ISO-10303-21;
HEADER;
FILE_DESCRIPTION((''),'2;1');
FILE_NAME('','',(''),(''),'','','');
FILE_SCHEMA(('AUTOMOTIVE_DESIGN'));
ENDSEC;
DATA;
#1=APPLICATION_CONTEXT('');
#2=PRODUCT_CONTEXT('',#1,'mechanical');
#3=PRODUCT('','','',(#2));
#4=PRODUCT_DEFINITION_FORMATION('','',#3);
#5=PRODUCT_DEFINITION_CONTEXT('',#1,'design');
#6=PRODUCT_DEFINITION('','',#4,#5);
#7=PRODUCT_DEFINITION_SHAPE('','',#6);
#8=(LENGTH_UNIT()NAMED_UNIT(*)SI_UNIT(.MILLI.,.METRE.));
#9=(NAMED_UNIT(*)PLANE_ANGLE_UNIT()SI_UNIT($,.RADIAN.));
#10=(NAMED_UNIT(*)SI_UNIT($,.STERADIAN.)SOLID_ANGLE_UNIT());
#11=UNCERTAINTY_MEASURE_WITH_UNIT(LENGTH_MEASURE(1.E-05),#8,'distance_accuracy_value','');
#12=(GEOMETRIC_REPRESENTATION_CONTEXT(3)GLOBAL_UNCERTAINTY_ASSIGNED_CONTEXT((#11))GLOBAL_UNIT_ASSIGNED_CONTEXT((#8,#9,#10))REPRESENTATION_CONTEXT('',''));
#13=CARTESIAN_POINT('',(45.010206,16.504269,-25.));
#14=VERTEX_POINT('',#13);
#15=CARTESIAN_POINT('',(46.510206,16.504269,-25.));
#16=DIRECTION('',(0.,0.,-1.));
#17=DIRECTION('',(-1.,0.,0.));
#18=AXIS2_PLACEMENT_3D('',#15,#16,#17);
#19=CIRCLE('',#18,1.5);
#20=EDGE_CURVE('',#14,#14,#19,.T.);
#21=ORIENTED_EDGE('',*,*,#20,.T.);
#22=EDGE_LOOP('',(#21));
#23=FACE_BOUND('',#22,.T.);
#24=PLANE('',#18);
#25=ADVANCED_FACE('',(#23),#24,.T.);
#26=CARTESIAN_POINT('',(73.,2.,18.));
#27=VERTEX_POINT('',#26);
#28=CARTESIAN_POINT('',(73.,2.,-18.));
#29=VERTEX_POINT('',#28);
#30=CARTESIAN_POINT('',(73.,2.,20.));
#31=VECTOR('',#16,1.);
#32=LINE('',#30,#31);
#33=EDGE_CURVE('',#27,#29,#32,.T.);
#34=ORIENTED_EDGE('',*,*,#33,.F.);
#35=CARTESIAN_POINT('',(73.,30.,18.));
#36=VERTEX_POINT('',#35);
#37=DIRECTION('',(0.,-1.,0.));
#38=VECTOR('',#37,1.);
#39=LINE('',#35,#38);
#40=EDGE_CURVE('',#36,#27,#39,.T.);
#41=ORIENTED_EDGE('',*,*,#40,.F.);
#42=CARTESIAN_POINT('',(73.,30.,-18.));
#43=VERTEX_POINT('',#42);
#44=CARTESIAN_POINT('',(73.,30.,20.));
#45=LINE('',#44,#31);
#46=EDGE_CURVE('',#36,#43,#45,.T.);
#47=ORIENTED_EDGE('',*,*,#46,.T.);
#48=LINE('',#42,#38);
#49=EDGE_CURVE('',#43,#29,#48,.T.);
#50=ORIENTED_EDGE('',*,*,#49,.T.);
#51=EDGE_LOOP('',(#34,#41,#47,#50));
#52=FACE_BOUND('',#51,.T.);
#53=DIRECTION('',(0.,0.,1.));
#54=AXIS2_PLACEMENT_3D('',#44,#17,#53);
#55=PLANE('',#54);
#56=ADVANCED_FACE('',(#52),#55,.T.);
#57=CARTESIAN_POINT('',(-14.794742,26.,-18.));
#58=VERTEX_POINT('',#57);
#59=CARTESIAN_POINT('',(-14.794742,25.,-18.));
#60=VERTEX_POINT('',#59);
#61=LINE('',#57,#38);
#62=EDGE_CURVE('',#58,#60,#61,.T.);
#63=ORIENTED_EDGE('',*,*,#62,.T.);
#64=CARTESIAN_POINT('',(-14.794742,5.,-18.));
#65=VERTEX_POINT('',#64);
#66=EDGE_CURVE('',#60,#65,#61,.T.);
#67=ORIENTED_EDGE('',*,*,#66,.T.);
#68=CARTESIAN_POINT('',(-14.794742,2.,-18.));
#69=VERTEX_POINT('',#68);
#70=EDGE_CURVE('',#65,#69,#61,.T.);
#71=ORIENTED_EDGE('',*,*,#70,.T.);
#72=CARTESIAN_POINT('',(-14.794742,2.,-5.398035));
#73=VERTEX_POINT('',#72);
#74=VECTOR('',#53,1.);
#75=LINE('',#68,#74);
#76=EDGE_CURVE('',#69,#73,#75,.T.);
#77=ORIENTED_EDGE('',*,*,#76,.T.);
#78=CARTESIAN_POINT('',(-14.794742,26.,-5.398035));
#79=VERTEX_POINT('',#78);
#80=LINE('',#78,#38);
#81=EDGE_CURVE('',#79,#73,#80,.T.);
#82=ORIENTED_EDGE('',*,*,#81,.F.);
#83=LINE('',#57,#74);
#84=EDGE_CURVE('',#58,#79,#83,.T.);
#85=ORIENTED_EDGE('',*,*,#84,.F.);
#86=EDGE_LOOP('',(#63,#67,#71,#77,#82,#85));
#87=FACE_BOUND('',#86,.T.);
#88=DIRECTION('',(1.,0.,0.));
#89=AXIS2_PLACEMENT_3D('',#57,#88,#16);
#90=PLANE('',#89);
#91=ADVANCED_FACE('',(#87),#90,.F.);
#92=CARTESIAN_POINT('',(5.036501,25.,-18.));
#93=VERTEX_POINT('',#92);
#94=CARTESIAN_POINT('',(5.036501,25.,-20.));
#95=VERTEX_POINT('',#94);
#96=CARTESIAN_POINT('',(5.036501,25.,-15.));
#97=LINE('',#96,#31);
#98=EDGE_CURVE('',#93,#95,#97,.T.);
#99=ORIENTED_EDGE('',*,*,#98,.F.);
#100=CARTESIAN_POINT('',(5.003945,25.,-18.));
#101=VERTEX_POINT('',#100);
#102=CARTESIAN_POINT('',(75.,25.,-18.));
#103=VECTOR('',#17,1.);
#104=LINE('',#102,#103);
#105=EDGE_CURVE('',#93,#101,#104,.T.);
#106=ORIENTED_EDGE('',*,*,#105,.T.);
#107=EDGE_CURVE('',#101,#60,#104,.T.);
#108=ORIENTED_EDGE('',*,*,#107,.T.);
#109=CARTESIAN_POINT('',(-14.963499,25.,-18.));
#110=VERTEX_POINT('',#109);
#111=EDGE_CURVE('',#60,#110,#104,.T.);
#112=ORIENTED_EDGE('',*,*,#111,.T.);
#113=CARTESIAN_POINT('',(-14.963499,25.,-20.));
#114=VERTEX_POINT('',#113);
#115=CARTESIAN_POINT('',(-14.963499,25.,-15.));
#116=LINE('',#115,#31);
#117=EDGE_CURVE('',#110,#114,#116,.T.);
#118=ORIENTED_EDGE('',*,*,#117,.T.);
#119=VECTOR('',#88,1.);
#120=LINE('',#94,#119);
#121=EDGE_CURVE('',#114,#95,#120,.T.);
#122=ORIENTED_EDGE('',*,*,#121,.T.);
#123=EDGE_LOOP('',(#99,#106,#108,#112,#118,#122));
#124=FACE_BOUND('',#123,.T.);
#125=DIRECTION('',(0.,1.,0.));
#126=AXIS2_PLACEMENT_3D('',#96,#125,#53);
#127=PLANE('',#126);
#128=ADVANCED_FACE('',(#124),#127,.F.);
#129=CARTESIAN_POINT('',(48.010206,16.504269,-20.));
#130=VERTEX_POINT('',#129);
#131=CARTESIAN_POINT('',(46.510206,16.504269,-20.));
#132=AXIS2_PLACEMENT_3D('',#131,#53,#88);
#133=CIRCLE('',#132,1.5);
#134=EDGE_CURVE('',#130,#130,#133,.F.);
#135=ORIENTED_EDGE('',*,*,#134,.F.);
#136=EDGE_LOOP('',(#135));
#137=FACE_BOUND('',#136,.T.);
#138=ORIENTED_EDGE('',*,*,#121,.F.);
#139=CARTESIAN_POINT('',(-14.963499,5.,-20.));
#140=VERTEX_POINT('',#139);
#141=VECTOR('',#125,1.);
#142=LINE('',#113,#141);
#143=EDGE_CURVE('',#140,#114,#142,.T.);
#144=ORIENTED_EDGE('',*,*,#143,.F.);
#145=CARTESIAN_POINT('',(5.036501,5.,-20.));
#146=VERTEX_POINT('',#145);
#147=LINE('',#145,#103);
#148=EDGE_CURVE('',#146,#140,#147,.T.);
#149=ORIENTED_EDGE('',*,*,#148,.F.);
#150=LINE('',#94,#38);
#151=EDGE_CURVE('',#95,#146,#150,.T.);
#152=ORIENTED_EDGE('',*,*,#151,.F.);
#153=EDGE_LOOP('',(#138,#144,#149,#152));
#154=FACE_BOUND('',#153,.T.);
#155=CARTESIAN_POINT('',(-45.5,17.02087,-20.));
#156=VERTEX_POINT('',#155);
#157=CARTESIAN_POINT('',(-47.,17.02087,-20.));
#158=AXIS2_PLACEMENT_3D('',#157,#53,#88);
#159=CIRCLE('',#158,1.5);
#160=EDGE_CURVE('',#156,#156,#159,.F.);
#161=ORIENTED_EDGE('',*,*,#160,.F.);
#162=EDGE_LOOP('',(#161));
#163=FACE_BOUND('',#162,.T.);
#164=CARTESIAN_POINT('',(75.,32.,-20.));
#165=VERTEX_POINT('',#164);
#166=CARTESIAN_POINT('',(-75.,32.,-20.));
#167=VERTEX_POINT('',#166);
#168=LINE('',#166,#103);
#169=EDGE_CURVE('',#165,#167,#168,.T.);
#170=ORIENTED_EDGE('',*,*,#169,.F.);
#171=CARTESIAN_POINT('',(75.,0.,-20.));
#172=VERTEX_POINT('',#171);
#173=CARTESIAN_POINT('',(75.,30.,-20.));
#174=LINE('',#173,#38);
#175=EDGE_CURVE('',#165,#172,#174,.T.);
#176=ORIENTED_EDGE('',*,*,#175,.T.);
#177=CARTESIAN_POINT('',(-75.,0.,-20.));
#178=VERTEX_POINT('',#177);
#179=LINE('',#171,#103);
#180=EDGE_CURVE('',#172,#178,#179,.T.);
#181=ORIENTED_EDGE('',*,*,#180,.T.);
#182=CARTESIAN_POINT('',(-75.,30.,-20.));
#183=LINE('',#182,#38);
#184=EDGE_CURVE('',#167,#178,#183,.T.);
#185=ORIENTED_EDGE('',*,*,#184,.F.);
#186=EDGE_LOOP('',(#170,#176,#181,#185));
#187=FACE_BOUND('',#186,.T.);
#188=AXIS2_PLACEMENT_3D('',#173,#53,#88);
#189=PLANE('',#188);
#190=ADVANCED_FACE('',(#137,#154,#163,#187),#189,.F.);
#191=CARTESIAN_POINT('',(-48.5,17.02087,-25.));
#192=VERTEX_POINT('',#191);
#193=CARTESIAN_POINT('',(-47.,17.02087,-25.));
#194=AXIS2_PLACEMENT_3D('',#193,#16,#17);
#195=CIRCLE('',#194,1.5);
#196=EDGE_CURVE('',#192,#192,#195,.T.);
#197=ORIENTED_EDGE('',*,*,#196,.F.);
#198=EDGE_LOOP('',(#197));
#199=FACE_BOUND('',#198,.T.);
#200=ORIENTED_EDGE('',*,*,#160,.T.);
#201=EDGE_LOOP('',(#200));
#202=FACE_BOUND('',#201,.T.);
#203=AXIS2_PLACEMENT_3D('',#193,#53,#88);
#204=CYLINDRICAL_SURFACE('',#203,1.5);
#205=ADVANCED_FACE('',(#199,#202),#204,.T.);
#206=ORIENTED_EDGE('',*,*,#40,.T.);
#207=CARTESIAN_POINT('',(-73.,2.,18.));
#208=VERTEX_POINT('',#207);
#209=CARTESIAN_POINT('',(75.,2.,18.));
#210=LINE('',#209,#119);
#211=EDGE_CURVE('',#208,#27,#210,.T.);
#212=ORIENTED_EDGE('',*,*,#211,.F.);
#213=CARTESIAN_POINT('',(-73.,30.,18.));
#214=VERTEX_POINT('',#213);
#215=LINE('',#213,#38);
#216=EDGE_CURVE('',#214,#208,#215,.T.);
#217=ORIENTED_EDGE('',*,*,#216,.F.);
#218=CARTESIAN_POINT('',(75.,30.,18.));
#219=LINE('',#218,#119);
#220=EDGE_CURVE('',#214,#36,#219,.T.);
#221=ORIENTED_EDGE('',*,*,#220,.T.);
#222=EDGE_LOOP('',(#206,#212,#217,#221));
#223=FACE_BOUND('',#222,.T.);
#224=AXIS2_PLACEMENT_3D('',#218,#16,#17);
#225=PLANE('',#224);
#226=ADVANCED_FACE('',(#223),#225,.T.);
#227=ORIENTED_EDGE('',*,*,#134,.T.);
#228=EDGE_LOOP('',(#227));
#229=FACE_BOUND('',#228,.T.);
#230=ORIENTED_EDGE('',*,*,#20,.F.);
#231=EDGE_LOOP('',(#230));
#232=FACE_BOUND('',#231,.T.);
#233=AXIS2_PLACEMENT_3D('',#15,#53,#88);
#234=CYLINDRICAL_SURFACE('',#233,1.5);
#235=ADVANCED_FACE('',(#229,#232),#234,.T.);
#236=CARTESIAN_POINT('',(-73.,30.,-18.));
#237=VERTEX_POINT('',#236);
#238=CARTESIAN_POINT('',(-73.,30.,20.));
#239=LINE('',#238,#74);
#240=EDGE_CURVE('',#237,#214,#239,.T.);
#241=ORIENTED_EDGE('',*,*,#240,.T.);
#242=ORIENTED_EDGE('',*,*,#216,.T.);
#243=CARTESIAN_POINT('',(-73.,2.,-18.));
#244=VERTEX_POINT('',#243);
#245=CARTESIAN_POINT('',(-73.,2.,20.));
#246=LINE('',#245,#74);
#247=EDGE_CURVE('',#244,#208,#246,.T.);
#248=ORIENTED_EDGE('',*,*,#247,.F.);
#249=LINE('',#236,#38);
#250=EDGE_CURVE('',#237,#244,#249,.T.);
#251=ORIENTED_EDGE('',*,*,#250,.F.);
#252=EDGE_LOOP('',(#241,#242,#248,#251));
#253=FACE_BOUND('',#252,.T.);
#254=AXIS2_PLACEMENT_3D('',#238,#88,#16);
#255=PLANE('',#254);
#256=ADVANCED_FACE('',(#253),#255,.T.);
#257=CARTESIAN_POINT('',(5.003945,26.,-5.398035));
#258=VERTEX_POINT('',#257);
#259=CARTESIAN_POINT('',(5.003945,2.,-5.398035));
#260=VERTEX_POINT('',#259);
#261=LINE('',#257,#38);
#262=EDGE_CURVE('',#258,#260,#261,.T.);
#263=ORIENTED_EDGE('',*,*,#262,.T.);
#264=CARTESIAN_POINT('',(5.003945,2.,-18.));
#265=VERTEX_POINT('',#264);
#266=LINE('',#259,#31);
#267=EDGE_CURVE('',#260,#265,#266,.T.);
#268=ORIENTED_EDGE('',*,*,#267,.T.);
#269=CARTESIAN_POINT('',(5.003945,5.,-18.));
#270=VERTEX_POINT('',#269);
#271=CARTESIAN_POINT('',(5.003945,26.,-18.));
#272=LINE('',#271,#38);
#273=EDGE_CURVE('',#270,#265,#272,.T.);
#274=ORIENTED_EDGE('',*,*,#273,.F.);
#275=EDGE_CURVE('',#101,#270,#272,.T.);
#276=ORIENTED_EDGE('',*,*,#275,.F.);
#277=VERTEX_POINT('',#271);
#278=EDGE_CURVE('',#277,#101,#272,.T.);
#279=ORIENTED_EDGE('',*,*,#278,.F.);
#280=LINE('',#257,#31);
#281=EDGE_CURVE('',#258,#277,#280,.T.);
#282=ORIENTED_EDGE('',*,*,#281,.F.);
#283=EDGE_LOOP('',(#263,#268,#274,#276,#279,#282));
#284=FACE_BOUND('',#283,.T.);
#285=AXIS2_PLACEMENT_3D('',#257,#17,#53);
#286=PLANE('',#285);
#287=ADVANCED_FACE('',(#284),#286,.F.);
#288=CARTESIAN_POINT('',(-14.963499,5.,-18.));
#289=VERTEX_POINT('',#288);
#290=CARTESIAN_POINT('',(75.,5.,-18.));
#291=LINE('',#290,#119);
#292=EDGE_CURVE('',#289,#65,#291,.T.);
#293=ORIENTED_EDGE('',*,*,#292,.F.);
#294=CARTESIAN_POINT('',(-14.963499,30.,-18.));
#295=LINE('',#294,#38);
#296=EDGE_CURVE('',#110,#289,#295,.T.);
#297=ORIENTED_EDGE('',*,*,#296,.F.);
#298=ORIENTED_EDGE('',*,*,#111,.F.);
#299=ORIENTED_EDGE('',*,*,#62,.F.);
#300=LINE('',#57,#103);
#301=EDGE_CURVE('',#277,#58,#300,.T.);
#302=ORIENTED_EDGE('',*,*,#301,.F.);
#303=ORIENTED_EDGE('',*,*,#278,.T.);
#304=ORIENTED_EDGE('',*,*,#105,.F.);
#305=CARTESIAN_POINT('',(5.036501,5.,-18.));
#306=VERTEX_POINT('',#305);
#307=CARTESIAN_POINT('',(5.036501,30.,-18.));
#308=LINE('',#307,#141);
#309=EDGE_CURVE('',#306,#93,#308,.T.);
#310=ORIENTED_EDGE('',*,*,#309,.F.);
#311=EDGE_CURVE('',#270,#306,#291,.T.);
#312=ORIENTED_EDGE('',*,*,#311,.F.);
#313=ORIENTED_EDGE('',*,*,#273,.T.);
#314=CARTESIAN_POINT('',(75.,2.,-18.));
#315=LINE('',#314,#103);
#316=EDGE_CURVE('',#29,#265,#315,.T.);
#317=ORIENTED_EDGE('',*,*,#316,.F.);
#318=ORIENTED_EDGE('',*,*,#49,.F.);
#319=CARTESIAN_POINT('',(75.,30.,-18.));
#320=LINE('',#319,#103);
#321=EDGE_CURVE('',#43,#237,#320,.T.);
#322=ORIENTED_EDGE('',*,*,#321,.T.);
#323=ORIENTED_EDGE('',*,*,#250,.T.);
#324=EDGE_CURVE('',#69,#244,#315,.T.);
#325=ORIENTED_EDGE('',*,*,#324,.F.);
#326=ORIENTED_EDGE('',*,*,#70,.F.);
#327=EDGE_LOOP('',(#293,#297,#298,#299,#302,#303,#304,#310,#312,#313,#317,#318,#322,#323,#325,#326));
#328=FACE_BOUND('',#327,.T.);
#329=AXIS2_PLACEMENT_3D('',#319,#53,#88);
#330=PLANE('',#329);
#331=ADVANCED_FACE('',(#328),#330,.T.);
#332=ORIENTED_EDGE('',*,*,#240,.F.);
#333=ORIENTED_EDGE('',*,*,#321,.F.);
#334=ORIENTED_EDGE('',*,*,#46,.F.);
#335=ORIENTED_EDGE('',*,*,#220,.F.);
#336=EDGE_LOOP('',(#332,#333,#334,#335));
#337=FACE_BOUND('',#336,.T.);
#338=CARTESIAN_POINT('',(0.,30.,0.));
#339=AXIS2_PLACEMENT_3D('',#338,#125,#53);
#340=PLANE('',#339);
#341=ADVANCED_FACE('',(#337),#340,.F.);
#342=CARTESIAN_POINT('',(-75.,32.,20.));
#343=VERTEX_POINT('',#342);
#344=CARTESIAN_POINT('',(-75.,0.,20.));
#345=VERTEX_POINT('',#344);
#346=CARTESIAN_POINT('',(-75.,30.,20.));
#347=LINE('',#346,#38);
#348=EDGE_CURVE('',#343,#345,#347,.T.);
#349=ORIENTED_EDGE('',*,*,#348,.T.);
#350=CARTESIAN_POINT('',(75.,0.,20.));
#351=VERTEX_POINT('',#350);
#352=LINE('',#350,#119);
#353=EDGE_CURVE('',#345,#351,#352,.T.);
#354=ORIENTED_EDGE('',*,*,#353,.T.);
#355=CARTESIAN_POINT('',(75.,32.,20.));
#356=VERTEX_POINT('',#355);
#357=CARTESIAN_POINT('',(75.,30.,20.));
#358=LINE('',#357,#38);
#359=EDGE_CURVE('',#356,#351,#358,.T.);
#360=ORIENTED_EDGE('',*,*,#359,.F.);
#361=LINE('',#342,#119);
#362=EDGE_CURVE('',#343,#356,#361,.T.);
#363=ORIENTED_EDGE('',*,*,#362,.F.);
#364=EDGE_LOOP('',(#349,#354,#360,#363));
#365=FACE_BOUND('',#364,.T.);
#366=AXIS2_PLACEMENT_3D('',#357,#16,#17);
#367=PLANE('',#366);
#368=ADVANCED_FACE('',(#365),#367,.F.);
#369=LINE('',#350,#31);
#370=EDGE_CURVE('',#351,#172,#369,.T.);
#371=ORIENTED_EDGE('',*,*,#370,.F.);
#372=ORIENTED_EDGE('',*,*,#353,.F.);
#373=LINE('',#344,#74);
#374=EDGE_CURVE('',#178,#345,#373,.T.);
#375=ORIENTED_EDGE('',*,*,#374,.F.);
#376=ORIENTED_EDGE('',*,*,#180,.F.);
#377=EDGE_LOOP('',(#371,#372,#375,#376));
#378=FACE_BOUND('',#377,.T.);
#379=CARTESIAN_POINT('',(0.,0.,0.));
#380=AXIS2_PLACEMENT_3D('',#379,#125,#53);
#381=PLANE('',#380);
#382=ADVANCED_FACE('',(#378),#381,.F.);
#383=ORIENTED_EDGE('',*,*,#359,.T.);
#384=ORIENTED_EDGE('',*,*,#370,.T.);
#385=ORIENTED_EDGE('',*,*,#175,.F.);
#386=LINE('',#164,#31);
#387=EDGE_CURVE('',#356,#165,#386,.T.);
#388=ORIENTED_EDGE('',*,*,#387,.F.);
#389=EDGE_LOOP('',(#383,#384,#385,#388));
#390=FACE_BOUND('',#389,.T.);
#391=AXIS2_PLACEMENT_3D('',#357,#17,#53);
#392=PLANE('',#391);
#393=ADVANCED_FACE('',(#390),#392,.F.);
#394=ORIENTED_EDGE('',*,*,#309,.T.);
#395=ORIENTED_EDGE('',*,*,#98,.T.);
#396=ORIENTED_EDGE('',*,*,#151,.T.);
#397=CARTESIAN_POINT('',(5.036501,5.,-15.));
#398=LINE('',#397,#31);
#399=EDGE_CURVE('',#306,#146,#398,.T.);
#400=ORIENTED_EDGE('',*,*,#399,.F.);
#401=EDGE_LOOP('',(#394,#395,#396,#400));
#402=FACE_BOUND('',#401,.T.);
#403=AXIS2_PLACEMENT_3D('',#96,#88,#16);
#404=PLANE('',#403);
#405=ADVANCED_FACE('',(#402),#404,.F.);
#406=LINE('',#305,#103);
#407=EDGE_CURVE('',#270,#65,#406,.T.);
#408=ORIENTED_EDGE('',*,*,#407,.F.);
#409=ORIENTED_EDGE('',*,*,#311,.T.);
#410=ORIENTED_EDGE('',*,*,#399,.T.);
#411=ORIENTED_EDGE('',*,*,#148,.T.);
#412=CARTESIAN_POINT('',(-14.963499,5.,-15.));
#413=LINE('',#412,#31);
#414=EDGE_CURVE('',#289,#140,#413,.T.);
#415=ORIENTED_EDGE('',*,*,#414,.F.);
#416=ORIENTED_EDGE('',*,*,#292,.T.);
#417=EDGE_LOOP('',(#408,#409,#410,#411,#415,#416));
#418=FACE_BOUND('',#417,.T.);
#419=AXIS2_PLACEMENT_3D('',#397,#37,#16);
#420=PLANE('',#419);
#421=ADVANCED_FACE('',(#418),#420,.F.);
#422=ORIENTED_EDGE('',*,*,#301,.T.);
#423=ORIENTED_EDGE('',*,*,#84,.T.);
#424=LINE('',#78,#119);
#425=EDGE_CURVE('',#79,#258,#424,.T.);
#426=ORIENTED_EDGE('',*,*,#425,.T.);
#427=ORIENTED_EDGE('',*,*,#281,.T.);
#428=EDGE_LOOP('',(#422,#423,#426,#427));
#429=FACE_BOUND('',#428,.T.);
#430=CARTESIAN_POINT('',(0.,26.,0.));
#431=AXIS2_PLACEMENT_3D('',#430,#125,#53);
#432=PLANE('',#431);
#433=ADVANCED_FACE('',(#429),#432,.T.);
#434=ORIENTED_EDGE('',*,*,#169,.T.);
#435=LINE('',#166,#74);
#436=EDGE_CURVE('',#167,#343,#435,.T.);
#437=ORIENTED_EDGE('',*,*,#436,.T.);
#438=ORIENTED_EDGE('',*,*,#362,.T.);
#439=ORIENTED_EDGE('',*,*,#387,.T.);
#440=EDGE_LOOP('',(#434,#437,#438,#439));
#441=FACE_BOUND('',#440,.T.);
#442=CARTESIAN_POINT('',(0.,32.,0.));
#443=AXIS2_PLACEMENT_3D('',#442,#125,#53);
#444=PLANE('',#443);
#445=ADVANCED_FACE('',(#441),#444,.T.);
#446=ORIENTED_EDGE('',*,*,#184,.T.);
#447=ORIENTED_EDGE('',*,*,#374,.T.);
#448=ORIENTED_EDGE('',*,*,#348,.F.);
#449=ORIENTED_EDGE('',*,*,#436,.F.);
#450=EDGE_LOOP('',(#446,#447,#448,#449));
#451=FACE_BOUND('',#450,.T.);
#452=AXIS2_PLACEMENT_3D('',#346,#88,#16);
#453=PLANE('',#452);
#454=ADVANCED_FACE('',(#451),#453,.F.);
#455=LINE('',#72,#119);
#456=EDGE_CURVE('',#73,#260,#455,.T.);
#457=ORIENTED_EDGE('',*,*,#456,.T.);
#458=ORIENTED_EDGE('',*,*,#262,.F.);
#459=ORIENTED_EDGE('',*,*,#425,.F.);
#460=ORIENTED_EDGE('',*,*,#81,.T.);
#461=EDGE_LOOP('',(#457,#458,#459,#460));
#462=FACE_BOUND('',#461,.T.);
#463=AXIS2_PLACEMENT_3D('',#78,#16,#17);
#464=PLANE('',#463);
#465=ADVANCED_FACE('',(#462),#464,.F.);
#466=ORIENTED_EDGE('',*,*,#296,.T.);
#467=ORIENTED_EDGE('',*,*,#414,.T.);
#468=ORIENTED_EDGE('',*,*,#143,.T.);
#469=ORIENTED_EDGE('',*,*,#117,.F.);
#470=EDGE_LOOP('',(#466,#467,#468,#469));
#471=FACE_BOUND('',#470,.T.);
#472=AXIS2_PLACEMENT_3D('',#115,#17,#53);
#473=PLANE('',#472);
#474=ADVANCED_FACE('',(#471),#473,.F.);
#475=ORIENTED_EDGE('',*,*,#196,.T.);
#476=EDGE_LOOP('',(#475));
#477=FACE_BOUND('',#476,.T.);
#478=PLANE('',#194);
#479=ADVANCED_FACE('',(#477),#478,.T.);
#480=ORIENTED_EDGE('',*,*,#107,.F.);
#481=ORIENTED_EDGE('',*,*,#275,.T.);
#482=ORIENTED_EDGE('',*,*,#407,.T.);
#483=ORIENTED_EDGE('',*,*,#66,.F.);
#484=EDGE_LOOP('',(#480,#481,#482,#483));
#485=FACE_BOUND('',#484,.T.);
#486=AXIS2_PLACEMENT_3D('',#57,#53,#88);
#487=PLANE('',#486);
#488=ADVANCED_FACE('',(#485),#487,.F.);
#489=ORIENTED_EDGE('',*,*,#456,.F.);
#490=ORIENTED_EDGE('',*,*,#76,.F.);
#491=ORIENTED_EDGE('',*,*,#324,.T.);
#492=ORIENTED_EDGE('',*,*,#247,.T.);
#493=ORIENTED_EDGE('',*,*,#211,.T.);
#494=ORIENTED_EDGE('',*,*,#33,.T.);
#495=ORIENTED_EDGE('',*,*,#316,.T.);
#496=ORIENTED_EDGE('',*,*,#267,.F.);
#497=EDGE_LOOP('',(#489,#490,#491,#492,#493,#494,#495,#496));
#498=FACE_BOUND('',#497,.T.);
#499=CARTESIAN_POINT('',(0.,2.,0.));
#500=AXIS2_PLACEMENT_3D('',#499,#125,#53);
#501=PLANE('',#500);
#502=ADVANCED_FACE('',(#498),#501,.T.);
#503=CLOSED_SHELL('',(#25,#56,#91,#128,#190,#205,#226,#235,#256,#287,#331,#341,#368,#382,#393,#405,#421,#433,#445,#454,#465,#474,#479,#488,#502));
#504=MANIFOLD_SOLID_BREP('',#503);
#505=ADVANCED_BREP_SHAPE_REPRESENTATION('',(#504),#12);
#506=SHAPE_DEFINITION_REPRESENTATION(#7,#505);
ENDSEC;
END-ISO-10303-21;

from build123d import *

# Parameters (mm, degrees)
SKETCH1_W           = 150
SKETCH1_H           = 40
BOSS_EXTRUDE1_DEPTH = 30
SHELL3_T            = -2
SKETCH3_W           = 20
SKETCH3_H           = 20
CUT_EXTRUDE1_DEPTH  = 5
SKETCH6_W           = 19.798687527
SKETCH6_H           = 12.601964569
BOSS_EXTRUDE3_DEPTH = 24
SKETCH7_W           = 150
SKETCH7_H           = 40
BOSS_EXTRUDE4_DEPTH = 2
SKETCH8_R           = 1.5
BOSS_EXTRUDE5_DEPTH = 5
SKETCH9_R           = 1.5
BOSS_EXTRUDE6_DEPTH = 5


with BuildPart() as part:
    # Sketch1 → Boss-Extrude1 (new body)
    with BuildSketch(Plane(origin=(0, 0, 0), x_dir=(1, 0, 0), z_dir=(0, 1, 0))):
        Rectangle(SKETCH1_W, SKETCH1_H)
    extrude(amount=BOSS_EXTRUDE1_DEPTH)

    # Shell3
    shell3_openings = [part.faces().sort_by_distance(p)[0] for p in [
        (0, 30, 0),
    ]]
    offset(amount=SHELL3_T, openings=shell3_openings, kind=Kind.INTERSECTION)

    # Sketch3 → Cut-Extrude1 (cut)
    with BuildSketch(Plane(origin=(0, 0, -20), x_dir=(-1, 0, 0), z_dir=(0, 0, -1))):
        with Locations((4.963499303, 15)):
            Rectangle(SKETCH3_W, SKETCH3_H)
    extrude(amount=-CUT_EXTRUDE1_DEPTH, mode=Mode.SUBTRACT)

    # Sketch6 → Boss-Extrude3 (add)
    with BuildSketch(Plane(origin=(0, 2, 0), x_dir=(1, 0, 0), z_dir=(0, 1, 0))):
        with Locations((-4.895398538, 11.699017716)):
            Rectangle(SKETCH6_W, SKETCH6_H)
    extrude(amount=BOSS_EXTRUDE3_DEPTH)

    # Sketch7 → Boss-Extrude4 (add)
    with BuildSketch(Plane(origin=(0, 30, 0), x_dir=(1, 0, 0), z_dir=(0, 1, 0))):
        Rectangle(SKETCH7_W, SKETCH7_H)
    extrude(amount=BOSS_EXTRUDE4_DEPTH)

    # Sketch8 → Boss-Extrude5 (add)
    with BuildSketch(Plane(origin=(0, 0, -20), x_dir=(-1, 0, 0), z_dir=(0, 0, -1))):
        with Locations(Location((-46.510205531, 16.504268765, 0), (0, 0, 180))):
            Circle(SKETCH8_R)
    extrude(amount=BOSS_EXTRUDE5_DEPTH)

    # Sketch9 → Boss-Extrude6 (add)
    with BuildSketch(Plane(origin=(0, 0, -20), x_dir=(-1, 0, 0), z_dir=(0, 0, -1))):
        with Locations(Location((47, 17.020870221, 0), (0, 0, 180))):
            Circle(SKETCH9_R)
    extrude(amount=BOSS_EXTRUDE6_DEPTH)


solid = part.part
